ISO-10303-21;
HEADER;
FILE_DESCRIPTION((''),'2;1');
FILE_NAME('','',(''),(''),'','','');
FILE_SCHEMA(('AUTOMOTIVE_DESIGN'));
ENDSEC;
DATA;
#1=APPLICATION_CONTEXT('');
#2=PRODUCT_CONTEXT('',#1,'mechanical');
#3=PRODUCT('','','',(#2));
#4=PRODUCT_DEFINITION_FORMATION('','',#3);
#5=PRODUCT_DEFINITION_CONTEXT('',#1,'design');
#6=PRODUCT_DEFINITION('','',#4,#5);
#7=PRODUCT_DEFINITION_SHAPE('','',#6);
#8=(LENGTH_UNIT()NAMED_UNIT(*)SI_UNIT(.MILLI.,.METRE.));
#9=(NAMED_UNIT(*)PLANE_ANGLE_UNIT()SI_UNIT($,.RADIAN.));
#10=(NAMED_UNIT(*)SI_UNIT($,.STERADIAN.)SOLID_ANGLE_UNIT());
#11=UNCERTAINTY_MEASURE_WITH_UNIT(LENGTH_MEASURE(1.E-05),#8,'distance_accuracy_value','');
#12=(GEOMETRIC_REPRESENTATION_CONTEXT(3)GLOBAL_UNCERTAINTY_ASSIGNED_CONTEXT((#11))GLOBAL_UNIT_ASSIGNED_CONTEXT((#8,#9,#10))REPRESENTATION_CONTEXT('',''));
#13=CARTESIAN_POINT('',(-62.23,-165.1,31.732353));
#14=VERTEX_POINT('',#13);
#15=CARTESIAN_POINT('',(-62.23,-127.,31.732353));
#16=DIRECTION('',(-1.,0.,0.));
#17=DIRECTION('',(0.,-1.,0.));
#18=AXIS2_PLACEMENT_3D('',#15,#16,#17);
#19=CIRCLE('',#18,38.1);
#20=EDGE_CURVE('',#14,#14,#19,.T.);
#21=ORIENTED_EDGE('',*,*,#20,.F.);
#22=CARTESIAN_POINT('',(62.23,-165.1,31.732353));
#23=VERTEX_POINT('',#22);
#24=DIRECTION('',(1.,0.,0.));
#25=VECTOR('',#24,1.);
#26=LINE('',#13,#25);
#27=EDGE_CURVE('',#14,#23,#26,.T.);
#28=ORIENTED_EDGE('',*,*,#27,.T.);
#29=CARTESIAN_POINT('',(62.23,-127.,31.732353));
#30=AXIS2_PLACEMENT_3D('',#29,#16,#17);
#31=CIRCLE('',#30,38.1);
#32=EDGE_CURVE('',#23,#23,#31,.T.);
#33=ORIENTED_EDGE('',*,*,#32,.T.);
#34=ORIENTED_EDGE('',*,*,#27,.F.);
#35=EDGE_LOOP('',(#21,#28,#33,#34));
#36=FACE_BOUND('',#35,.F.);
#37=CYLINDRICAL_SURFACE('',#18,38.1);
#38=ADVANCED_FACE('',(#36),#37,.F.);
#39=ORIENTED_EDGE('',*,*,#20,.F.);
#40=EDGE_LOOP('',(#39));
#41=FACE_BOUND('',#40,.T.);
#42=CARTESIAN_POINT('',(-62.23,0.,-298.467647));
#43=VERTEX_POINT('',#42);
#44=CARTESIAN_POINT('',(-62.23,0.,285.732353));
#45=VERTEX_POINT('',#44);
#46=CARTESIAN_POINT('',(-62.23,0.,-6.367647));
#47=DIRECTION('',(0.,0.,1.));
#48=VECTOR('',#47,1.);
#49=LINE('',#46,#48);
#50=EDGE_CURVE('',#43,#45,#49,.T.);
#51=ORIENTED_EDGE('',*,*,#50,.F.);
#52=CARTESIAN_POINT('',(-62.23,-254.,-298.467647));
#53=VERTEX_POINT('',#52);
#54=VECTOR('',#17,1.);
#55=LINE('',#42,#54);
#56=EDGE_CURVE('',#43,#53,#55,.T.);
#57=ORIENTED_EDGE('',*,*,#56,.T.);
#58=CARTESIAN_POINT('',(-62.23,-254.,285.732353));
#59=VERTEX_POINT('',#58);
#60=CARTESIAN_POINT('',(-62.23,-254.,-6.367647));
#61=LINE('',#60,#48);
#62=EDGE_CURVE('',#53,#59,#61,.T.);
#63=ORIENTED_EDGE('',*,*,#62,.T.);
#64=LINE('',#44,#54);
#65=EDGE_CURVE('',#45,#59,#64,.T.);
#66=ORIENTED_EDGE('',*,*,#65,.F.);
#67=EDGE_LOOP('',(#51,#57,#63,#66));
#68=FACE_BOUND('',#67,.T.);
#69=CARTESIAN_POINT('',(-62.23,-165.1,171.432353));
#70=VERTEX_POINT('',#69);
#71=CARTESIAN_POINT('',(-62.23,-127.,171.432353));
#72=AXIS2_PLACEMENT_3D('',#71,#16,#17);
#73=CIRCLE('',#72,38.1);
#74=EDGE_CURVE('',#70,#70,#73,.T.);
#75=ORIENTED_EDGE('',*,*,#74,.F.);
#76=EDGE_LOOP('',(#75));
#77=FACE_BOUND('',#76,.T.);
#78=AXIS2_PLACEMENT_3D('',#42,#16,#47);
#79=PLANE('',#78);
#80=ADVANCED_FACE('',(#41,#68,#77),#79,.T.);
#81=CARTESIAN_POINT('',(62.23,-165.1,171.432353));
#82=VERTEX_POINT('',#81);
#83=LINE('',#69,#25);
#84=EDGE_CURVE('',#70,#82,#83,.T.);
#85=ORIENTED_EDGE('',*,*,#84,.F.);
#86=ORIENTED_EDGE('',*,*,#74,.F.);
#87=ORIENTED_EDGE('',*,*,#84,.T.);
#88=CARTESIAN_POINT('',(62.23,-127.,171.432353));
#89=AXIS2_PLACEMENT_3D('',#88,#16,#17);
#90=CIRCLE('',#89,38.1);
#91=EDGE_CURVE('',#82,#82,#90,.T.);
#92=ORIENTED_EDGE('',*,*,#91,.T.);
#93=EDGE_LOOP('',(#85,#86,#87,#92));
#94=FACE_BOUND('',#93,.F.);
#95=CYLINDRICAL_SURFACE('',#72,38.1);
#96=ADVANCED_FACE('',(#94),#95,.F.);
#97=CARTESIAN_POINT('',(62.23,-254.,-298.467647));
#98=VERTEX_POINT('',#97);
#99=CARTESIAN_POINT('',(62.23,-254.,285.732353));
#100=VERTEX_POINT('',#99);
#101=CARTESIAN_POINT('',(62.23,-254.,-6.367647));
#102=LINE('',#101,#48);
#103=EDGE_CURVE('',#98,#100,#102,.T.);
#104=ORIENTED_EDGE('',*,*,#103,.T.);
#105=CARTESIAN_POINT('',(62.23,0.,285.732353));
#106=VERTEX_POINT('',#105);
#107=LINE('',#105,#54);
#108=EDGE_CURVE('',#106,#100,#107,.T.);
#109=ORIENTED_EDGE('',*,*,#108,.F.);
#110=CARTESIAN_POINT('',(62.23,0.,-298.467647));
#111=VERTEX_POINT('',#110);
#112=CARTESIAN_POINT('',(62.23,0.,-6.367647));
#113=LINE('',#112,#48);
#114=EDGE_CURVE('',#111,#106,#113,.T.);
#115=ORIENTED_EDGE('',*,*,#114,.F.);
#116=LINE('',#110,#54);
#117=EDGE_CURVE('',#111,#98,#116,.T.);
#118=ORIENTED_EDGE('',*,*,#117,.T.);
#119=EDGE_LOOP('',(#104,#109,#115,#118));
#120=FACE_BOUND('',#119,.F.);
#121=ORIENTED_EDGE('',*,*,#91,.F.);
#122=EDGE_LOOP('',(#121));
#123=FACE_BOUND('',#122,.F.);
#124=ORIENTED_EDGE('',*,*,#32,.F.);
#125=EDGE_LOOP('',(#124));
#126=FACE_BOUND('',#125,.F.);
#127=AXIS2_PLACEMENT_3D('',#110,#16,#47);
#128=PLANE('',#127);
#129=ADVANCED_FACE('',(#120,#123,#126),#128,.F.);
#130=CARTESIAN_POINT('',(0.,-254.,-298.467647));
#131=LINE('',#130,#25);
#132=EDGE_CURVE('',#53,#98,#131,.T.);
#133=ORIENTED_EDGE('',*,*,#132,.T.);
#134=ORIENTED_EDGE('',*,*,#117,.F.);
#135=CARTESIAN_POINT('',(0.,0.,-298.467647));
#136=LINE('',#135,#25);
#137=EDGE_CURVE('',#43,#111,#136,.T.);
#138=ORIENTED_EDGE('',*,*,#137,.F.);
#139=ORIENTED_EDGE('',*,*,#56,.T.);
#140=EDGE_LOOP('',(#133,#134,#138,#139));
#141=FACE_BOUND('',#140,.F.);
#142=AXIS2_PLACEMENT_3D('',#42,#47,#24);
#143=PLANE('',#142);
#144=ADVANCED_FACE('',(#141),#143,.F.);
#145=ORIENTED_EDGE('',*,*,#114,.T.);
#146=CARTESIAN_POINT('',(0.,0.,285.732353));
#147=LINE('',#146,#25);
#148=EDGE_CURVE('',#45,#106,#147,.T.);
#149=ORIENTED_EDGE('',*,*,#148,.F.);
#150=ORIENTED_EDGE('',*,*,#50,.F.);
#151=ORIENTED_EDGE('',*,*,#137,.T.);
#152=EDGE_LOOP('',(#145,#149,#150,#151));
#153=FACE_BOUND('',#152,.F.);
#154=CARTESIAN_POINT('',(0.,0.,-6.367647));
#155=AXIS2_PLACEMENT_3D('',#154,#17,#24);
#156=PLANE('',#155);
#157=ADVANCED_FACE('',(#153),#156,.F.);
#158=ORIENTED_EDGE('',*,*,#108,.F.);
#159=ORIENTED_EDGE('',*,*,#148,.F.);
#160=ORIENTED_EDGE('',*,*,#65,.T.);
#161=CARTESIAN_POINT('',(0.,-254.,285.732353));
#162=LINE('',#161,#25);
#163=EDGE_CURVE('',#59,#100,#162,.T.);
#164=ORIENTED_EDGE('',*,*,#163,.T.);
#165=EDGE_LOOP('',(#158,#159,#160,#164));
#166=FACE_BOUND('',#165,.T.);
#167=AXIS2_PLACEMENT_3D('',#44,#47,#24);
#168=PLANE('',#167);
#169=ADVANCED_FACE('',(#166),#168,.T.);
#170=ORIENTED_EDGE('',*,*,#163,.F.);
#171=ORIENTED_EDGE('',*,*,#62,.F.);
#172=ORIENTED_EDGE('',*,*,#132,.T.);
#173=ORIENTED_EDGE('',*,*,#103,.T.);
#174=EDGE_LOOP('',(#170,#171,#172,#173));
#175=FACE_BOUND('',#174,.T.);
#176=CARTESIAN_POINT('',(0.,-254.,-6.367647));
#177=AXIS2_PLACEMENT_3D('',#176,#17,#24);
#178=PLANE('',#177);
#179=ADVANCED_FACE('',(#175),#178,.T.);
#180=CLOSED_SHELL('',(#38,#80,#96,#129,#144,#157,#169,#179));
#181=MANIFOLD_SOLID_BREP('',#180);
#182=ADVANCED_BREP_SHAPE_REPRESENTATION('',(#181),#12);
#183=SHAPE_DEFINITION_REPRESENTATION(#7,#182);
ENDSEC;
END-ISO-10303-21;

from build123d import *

# Parameters (mm, degrees)
F0_W     = 124.46
F0_H     = 584.2
F1_DEPTH = 254
F2_R     = 38.1
F3_DEPTH = 185.42


with BuildPart() as f1:
    # F0 (on Front) → F1 (new body)
    with BuildSketch(Plane.XZ):
        with Locations((0, -6.367647)):
            Rectangle(F0_W, F0_H)
    extrude(amount=F1_DEPTH)

    # F2 (on face) → F3 (cut)
    with BuildSketch(Plane(origin=(-62.23, 0, 0), x_dir=(0, -1, 0), z_dir=(-1, 0, 0))):
        with Locations((127, 171.432353)):
            Circle(F2_R)
        with Locations((127, 31.732353)):
            Circle(F2_R)
    extrude(amount=-F3_DEPTH, mode=Mode.SUBTRACT)


solid = f1.part
